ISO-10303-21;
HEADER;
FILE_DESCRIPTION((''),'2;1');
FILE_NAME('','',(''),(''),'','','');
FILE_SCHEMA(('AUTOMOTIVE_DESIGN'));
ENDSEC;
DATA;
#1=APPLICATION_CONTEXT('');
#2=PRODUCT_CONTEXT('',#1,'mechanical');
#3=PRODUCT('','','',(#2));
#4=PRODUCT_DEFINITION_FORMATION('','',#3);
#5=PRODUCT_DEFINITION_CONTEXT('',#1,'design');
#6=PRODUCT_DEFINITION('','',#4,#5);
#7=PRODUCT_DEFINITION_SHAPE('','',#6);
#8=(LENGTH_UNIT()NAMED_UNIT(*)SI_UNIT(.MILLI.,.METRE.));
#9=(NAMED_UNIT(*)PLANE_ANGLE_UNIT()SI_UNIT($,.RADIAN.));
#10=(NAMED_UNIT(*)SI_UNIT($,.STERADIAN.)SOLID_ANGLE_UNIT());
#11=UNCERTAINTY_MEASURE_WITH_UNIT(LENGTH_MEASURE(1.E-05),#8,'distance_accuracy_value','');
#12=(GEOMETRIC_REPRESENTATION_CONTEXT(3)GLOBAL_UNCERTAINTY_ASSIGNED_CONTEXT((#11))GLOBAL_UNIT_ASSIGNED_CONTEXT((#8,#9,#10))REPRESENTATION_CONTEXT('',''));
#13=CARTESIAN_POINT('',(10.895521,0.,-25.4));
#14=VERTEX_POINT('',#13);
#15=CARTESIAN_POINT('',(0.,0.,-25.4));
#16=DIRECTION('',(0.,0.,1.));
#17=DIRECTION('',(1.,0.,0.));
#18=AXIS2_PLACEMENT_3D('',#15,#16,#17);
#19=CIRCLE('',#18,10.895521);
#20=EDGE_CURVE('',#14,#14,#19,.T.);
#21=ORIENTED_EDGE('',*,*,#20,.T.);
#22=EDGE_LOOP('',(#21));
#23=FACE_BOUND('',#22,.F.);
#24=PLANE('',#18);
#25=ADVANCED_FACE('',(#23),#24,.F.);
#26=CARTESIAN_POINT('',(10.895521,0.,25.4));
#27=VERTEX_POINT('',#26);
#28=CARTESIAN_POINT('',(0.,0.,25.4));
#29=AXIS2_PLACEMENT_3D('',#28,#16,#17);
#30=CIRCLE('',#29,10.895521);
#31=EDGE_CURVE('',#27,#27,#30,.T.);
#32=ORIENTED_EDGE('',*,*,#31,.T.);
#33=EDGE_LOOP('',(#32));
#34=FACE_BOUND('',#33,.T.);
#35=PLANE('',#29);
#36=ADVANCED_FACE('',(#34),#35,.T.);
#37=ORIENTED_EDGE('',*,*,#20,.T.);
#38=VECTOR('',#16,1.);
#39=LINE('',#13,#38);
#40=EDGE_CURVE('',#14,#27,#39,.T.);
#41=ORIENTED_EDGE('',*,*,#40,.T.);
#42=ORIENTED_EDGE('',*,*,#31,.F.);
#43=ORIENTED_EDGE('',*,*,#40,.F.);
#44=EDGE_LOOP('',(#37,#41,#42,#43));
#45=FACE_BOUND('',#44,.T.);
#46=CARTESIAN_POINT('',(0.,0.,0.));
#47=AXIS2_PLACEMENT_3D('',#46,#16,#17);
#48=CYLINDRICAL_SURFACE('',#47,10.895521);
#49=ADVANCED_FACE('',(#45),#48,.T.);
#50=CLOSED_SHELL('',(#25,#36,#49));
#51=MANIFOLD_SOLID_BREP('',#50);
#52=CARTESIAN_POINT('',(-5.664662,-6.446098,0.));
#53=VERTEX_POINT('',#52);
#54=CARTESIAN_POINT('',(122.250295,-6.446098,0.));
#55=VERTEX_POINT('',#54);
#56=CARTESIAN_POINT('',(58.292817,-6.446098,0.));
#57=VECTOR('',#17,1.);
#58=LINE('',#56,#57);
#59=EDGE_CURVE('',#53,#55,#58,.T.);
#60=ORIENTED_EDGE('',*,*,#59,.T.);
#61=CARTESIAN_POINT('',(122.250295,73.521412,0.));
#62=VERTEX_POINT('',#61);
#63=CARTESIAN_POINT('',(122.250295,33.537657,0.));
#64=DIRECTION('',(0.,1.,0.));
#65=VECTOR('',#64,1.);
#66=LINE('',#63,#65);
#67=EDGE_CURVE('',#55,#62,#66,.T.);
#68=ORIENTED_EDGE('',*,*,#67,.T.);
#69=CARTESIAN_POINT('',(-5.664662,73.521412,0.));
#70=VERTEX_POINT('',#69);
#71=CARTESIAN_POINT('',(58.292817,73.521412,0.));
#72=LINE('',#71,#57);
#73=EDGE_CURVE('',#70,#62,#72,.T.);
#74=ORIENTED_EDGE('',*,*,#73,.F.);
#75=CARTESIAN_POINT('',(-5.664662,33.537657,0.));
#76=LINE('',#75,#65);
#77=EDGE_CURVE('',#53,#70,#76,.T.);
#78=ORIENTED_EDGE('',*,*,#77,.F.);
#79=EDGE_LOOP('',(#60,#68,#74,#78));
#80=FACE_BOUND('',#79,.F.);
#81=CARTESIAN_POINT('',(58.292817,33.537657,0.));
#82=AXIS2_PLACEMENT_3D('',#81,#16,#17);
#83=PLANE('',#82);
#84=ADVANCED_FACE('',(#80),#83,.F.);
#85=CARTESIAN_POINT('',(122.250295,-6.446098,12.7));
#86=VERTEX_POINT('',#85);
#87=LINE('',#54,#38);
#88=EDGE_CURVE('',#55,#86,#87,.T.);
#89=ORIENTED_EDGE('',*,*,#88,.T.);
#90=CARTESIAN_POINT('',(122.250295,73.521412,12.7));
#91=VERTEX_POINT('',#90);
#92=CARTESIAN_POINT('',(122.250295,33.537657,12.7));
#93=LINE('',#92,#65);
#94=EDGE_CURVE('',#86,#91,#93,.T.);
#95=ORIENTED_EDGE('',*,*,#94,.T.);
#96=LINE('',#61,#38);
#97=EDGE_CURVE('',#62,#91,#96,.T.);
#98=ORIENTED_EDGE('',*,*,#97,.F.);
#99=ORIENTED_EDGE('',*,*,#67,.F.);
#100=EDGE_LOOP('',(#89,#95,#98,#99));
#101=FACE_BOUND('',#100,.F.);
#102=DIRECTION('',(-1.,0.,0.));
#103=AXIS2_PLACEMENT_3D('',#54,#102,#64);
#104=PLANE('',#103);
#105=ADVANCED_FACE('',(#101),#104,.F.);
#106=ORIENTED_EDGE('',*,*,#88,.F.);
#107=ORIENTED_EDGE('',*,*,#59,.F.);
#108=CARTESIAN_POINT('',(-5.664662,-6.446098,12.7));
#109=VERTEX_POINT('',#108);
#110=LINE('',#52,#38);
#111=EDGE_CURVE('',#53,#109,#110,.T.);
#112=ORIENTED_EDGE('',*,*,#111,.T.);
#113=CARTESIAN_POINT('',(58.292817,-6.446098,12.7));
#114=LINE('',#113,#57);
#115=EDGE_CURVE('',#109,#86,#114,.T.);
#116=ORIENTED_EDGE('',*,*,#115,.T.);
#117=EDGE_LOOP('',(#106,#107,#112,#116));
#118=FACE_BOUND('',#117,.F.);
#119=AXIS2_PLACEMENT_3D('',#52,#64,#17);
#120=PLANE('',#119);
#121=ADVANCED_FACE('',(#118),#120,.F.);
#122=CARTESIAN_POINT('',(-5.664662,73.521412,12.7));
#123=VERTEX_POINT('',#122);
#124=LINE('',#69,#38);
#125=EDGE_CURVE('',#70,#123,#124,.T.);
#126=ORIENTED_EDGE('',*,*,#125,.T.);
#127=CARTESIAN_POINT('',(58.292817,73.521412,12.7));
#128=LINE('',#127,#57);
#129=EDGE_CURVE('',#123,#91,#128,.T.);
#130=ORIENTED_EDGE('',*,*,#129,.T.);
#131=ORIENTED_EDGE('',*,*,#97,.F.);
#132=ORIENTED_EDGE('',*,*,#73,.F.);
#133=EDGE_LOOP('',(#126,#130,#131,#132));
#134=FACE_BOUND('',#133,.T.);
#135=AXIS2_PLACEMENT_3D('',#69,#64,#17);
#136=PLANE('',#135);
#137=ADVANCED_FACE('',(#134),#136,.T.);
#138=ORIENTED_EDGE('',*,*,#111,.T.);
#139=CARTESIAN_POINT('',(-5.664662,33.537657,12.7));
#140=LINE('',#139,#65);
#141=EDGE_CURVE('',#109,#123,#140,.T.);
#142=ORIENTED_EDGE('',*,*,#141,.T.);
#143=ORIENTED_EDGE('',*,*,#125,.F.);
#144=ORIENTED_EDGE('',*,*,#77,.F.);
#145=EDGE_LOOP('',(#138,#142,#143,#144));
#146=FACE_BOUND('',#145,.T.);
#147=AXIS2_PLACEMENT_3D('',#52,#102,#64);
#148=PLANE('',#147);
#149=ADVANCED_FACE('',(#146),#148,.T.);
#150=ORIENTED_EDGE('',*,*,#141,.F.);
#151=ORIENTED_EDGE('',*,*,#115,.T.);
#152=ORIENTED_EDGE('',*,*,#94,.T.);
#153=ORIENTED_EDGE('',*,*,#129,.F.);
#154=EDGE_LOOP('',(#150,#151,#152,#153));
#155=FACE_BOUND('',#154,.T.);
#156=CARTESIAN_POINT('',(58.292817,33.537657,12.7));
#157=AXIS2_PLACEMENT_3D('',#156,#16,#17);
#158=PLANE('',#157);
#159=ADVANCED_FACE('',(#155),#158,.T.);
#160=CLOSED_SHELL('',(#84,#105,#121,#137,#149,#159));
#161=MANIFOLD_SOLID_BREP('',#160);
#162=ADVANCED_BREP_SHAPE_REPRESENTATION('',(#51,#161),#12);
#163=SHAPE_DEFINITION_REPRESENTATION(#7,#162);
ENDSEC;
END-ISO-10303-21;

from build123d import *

# Parameters (mm, degrees)
F0_W          = 127.914957
F0_H          = 79.967511
F1_DEPTH      = 12.7
F2_R          = 10.895521
F3_DEPTH      = 25.4
F3_DEPTH_BACK = 25.4


with BuildPart() as f1:
    # F0 (on Top) → F1 (new body)
    with BuildSketch(Plane.XY):
        with Locations((58.292817, 33.537657)):
            Rectangle(F0_W, F0_H)
    extrude(amount=F1_DEPTH)


with BuildPart() as f3:
    # F2 (on Top) → F3 (new body, two sides)
    with BuildSketch(Plane.XY) as f3_sk:
        Circle(F2_R)
    extrude(amount=F3_DEPTH)
    extrude(f3_sk.sketch, amount=-F3_DEPTH_BACK)


solid = Compound([f1.part, f3.part])
